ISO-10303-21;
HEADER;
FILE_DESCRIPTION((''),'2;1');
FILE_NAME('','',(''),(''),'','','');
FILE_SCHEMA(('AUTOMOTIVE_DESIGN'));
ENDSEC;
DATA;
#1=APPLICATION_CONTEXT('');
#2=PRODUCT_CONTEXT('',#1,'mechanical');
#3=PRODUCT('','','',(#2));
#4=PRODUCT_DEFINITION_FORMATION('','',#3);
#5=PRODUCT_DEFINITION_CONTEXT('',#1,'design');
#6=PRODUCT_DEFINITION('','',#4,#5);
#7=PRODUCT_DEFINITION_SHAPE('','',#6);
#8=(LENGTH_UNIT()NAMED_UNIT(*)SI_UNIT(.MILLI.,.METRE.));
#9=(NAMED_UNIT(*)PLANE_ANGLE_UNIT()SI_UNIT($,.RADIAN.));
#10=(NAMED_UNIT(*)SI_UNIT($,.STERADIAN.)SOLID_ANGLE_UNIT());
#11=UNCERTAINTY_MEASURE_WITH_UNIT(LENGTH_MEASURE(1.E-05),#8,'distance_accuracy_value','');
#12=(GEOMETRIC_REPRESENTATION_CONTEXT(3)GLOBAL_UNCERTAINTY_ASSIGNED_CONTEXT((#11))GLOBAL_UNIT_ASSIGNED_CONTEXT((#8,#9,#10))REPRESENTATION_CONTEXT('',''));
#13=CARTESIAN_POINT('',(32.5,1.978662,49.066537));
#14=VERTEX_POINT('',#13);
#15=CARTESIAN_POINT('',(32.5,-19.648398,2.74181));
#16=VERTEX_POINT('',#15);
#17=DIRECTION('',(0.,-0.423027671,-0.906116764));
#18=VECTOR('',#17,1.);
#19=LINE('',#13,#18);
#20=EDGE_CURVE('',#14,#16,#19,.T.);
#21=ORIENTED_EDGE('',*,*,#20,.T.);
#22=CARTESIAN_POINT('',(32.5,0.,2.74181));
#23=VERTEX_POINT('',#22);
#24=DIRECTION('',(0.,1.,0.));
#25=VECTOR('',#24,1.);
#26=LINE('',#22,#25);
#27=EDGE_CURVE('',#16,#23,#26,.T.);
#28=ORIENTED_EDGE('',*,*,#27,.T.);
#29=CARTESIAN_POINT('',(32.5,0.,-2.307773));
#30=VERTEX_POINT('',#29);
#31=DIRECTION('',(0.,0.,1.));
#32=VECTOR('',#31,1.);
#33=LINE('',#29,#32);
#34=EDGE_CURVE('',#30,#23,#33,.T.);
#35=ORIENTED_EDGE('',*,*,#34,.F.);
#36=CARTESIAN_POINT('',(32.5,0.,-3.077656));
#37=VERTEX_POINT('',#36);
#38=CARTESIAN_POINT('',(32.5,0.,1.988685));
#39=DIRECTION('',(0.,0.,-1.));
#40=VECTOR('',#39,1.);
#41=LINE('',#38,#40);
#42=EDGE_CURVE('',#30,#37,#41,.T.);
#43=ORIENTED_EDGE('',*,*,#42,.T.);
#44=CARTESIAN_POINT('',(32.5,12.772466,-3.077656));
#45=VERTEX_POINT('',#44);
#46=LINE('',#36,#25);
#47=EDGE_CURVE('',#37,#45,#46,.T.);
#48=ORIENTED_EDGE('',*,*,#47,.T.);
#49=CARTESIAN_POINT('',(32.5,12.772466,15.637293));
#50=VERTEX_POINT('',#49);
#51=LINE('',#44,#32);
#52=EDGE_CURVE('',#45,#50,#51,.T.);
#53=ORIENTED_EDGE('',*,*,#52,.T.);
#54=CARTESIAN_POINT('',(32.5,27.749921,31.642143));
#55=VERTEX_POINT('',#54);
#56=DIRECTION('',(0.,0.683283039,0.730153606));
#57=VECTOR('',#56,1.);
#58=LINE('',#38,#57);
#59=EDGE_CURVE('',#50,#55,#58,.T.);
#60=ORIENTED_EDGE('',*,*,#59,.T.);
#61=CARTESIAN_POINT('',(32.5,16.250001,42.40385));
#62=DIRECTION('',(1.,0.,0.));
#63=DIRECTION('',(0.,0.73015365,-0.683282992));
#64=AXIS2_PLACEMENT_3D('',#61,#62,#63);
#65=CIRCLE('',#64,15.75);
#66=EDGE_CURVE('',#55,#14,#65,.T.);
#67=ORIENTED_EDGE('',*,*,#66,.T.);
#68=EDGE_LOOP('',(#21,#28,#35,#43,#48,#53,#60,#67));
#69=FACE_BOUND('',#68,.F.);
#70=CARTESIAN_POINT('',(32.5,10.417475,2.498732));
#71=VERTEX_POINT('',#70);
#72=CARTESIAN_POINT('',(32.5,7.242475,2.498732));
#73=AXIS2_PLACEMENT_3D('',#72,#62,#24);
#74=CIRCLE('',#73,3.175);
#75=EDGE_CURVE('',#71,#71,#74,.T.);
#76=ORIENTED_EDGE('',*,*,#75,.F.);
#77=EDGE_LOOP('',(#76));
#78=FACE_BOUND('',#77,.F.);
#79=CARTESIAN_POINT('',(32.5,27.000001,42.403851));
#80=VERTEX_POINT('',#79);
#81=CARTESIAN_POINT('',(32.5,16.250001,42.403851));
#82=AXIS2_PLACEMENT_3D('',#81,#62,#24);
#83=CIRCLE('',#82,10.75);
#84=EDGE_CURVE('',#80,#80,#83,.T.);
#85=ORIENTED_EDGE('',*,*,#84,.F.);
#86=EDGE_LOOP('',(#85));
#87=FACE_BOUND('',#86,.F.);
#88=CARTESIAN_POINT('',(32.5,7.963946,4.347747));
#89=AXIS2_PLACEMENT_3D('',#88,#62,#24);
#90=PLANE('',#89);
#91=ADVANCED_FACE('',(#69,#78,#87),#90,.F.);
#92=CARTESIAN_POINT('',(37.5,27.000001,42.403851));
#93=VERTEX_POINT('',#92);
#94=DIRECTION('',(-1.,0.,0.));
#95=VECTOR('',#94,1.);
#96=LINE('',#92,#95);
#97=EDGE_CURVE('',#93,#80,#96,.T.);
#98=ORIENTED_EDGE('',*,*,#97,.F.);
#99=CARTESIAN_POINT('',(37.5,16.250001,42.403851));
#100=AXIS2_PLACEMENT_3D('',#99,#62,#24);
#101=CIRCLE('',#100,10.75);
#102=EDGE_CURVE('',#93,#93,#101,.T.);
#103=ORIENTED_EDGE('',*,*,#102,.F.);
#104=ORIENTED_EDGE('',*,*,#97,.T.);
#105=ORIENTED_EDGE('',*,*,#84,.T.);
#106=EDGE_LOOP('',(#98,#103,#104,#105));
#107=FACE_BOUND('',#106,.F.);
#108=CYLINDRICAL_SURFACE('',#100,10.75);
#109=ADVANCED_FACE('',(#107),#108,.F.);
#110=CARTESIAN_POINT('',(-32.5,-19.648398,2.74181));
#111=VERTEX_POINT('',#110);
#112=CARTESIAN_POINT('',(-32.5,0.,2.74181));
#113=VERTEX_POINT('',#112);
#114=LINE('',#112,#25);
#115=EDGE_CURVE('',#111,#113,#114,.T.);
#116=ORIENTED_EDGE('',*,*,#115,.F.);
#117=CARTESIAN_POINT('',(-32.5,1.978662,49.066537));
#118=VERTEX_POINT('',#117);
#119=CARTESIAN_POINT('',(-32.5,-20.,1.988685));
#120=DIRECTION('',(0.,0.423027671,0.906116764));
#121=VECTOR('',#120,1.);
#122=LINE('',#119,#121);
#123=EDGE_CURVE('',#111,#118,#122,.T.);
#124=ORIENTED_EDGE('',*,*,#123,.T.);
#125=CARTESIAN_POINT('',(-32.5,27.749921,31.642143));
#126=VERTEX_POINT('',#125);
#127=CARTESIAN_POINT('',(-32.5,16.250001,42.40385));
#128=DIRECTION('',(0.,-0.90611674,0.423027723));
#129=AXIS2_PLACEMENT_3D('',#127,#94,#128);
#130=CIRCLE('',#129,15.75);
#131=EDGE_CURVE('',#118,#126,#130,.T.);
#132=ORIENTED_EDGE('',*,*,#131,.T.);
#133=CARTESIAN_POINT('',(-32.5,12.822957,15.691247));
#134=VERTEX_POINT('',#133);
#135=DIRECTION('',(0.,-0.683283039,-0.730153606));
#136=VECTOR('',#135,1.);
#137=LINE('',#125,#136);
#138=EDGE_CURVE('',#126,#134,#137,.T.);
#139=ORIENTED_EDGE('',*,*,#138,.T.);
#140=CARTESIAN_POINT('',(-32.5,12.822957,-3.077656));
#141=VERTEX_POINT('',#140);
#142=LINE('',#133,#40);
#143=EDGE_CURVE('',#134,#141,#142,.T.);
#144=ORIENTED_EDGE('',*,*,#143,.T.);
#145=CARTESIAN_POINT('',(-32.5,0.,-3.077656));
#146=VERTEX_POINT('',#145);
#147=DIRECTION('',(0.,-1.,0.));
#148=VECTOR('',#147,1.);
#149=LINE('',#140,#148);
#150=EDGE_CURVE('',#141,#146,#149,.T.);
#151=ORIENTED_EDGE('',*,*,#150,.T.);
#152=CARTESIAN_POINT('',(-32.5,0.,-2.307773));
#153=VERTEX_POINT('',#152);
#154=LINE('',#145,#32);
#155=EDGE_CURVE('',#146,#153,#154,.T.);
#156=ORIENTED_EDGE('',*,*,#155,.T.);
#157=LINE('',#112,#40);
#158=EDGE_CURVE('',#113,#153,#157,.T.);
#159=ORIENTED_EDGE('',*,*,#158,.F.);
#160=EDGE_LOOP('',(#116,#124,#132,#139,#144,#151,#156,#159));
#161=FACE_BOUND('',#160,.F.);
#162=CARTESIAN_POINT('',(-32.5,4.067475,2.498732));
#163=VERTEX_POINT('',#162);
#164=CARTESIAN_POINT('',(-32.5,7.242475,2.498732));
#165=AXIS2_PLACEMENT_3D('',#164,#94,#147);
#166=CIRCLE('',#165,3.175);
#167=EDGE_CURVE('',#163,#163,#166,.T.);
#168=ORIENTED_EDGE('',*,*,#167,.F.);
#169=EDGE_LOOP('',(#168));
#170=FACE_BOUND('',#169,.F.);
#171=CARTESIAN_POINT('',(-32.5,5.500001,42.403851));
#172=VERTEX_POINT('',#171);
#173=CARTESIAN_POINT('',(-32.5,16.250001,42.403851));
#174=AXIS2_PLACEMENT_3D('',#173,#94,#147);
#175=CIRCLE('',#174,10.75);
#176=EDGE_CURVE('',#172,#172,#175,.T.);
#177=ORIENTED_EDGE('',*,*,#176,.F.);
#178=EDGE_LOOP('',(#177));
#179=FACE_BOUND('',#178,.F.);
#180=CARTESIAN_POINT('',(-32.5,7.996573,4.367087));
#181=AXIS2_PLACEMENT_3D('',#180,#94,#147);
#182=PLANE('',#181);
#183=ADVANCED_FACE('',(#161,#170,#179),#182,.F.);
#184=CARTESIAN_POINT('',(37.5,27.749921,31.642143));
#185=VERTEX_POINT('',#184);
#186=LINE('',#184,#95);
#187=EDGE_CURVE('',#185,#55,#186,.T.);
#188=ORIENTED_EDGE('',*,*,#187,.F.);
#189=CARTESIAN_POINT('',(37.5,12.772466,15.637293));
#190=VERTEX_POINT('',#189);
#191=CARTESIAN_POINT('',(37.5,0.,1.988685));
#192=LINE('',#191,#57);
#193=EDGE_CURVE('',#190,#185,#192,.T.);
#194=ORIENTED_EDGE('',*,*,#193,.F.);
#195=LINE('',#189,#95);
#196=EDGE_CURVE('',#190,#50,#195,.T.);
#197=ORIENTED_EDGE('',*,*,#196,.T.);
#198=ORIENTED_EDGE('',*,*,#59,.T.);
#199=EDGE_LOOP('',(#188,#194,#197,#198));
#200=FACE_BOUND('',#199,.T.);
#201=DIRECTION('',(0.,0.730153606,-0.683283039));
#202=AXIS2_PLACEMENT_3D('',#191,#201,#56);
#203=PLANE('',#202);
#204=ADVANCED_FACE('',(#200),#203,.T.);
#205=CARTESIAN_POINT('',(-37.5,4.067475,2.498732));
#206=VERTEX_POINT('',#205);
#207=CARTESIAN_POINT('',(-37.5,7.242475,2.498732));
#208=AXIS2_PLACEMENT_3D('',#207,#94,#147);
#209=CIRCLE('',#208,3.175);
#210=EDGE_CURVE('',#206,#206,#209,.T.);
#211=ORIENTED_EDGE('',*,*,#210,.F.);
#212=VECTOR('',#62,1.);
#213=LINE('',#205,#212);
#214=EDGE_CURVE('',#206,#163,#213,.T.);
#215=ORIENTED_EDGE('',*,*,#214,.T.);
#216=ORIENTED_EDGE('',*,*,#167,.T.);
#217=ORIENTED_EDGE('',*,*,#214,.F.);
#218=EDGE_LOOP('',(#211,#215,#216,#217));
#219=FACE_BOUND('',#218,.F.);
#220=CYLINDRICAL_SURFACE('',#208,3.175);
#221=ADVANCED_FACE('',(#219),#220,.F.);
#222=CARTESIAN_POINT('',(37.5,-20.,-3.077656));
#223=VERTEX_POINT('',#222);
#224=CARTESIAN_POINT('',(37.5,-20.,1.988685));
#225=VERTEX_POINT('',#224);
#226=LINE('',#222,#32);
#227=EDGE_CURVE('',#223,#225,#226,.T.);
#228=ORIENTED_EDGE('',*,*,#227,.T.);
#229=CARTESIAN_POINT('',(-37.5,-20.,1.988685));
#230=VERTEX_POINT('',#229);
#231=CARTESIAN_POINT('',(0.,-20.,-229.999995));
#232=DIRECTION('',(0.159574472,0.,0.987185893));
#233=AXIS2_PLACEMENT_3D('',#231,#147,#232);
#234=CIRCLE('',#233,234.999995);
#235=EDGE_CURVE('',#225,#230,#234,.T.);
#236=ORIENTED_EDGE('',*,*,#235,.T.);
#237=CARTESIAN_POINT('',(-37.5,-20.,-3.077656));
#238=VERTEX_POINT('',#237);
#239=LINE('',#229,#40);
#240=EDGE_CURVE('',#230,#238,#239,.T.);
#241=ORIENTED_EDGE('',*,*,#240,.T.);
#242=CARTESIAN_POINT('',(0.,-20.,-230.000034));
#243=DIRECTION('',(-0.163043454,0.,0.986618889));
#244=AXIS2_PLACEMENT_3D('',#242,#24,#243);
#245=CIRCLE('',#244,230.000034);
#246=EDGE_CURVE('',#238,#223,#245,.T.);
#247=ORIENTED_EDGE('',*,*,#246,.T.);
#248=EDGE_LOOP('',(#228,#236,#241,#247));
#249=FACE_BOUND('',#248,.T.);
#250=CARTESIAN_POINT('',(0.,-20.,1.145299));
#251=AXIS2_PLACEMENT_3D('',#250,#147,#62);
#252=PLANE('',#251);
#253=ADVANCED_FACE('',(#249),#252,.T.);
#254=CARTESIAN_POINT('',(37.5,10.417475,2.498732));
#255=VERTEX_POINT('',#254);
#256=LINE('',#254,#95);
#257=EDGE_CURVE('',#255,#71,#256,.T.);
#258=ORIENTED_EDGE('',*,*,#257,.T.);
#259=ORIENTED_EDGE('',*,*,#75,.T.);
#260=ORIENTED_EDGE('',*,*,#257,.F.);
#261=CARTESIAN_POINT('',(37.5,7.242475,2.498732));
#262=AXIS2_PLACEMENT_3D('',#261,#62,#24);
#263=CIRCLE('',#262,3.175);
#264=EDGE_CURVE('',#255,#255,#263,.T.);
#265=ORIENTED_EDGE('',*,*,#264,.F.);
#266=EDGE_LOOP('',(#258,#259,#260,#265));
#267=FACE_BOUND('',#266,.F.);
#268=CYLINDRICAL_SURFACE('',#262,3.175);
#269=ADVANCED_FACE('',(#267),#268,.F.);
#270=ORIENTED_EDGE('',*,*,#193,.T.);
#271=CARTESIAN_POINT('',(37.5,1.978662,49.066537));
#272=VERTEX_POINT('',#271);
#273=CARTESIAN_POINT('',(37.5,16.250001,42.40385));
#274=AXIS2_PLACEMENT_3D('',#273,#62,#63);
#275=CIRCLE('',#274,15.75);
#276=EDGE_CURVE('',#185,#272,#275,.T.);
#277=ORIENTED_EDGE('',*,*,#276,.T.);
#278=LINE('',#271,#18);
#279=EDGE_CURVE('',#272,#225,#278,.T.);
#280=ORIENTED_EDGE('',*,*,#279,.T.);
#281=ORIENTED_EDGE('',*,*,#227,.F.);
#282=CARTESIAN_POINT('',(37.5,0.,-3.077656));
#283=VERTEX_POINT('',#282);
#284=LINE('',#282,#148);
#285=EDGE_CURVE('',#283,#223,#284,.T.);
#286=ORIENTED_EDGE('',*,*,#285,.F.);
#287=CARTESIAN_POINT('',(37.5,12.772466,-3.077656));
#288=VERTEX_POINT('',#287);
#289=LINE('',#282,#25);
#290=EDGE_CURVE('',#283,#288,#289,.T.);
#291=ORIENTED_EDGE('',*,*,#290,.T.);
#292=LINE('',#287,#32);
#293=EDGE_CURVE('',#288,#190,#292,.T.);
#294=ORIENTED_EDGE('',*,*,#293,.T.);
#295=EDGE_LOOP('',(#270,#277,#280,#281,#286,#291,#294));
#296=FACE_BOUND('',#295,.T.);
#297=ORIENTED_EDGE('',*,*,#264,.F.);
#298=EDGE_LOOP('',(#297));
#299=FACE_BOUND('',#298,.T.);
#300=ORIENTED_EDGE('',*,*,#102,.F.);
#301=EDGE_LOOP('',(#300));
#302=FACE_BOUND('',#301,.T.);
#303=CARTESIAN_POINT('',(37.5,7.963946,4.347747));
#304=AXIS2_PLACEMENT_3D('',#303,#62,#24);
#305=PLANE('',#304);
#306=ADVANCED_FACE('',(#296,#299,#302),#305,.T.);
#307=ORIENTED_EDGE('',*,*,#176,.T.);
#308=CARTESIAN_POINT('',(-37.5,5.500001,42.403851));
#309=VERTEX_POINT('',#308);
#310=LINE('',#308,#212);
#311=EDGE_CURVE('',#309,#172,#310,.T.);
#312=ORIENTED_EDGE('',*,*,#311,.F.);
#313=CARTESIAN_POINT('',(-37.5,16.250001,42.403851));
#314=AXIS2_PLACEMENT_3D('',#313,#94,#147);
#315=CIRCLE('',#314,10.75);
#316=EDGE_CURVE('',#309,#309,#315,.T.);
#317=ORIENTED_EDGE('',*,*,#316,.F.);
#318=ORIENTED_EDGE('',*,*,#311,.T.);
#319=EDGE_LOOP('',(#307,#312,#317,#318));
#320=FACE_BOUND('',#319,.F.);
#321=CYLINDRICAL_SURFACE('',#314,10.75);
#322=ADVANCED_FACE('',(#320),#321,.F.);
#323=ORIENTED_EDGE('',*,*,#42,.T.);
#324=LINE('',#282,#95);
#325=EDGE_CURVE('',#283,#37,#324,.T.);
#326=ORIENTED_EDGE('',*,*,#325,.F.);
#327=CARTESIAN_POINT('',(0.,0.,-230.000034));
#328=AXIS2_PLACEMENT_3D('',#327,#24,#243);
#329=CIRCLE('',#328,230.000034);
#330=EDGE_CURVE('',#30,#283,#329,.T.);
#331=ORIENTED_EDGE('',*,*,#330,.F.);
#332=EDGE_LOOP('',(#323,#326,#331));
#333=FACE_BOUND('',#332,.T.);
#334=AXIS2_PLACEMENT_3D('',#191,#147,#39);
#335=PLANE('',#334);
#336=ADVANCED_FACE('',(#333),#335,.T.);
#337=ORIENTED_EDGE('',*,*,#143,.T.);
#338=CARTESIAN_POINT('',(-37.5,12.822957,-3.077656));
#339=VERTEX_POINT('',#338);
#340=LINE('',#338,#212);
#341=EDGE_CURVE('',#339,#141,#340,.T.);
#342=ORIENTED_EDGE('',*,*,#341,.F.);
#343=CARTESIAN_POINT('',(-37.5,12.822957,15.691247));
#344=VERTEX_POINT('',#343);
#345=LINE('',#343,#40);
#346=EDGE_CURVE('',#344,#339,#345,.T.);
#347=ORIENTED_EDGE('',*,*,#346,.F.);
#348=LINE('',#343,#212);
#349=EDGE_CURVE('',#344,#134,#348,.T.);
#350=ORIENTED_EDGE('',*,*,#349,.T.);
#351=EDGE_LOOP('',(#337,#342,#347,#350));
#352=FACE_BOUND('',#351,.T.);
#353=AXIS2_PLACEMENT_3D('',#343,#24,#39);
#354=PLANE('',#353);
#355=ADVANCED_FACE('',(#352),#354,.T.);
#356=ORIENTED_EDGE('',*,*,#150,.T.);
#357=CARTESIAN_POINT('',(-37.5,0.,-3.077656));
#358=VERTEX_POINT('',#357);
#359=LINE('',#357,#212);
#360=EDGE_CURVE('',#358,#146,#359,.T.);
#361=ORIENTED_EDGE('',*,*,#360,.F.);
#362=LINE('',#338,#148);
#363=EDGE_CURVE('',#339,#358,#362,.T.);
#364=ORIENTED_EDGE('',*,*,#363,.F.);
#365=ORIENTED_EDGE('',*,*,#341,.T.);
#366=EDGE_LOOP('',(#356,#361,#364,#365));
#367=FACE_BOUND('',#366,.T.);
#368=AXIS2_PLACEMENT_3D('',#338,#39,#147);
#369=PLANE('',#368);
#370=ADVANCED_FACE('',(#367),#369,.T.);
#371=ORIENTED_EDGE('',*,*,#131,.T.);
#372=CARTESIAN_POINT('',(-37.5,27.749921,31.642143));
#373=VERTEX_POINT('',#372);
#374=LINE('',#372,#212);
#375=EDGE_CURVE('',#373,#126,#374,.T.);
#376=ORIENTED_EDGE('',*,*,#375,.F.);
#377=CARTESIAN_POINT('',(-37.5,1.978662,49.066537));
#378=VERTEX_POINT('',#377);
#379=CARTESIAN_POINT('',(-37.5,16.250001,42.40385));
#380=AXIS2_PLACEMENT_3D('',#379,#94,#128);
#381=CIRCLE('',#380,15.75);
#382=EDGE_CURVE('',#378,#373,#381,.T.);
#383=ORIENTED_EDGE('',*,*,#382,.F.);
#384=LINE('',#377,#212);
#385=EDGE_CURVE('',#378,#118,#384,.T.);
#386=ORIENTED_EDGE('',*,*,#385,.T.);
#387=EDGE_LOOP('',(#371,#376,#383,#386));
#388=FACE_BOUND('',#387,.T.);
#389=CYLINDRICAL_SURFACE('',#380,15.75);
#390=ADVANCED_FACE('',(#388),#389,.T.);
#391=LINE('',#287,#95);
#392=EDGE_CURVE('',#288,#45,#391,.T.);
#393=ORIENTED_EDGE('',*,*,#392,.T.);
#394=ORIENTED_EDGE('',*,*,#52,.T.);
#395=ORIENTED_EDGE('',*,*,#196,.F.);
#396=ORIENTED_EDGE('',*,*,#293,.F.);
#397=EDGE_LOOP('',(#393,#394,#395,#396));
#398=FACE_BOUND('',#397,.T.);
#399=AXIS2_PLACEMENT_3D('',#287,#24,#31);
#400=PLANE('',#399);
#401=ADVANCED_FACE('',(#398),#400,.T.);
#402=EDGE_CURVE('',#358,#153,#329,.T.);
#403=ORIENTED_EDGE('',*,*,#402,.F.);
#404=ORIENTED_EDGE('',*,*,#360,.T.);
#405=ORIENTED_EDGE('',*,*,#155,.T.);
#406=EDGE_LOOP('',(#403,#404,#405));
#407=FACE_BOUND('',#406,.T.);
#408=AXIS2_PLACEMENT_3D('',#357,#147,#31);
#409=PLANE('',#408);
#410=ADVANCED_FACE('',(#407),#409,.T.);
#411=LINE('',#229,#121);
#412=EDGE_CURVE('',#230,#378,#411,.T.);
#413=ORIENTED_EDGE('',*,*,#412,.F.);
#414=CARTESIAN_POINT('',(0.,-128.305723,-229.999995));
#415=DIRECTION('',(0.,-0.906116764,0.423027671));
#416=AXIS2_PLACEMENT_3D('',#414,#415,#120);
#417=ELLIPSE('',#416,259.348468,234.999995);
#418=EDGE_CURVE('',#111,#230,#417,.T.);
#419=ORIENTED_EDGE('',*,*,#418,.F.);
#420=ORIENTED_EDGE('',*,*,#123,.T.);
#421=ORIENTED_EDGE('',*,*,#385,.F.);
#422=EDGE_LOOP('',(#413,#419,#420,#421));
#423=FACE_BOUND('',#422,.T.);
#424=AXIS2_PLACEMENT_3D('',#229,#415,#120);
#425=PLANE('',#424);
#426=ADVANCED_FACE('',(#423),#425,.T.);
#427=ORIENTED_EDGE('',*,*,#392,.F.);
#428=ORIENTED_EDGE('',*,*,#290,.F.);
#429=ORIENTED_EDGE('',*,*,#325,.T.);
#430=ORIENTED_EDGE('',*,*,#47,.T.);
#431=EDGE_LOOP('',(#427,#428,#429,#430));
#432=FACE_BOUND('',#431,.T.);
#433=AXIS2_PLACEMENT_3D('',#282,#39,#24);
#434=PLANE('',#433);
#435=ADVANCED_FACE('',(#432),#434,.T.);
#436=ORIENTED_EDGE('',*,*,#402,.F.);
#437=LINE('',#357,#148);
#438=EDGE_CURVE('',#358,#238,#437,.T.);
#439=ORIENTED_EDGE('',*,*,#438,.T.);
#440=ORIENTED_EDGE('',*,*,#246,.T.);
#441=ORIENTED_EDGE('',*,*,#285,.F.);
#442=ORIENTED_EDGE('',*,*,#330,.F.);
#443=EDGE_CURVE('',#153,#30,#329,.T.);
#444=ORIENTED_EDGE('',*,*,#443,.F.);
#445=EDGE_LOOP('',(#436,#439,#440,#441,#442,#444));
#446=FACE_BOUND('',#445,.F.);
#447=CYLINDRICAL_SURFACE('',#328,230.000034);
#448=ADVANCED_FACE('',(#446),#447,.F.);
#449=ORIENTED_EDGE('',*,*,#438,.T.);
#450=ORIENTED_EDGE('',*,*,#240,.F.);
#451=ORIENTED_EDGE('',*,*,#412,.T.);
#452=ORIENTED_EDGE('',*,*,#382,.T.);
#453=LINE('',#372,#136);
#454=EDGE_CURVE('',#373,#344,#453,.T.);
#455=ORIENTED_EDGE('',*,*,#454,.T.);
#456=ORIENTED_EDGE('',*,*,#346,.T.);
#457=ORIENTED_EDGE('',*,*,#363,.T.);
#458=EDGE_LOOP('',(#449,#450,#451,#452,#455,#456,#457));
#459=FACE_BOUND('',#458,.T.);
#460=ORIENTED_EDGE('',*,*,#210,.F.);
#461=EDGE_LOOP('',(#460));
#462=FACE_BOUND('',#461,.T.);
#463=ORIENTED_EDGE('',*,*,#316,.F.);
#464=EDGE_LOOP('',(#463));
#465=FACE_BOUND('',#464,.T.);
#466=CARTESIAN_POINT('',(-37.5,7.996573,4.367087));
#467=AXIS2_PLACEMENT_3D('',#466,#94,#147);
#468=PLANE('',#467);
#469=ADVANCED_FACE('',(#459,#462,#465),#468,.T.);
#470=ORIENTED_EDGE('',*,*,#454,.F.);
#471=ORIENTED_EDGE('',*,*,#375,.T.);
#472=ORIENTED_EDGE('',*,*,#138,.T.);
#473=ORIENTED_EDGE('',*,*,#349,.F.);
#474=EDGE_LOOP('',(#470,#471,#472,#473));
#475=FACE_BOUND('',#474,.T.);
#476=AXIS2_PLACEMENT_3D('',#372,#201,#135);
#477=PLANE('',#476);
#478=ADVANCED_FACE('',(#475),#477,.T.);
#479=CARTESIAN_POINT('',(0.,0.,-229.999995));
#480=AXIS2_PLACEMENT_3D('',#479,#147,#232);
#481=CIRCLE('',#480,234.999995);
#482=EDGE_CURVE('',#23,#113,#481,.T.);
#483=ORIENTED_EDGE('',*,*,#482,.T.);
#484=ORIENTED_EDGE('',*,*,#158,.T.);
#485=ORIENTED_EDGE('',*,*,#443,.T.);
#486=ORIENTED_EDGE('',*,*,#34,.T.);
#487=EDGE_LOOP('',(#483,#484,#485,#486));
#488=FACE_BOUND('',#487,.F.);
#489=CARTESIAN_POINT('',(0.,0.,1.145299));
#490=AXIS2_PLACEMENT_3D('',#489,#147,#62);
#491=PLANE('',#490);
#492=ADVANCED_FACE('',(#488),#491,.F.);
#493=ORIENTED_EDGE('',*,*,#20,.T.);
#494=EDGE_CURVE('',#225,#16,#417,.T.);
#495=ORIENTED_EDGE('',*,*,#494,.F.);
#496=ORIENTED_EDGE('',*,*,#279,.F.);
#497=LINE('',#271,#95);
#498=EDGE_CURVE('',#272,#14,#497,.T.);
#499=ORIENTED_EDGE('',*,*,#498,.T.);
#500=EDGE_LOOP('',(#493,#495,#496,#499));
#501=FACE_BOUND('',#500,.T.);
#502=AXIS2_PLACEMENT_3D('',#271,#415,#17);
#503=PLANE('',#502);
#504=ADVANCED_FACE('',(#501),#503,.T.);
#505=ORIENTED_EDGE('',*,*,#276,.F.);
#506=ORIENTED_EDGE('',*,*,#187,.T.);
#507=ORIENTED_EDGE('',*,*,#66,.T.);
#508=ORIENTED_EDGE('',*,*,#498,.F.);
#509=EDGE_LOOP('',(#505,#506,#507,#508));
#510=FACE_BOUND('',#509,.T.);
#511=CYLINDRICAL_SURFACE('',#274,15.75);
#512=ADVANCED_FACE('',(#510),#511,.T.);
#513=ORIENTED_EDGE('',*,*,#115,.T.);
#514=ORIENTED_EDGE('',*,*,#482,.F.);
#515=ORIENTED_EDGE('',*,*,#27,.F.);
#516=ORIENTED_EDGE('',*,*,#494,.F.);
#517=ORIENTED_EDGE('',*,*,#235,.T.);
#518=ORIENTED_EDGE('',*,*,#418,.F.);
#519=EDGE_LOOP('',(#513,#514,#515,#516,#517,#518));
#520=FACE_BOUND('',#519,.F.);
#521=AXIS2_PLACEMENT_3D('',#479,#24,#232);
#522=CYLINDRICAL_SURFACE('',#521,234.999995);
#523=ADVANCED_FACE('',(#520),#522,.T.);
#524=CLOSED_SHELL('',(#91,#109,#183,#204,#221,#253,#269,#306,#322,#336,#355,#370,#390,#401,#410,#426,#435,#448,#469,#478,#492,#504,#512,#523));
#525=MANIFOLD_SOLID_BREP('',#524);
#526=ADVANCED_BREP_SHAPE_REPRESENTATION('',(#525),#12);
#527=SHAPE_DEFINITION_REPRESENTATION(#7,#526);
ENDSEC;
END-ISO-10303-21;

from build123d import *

# Parameters (mm, degrees)
F1_DEPTH = 20
F2_R     = 10.75
F3_DEPTH = 5
F4_R     = 10.75
F5_DEPTH = 5
F6_R     = 3.175
F7_DEPTH = 5
F8_R     = 3.175
F9_DEPTH = 5


with BuildPart() as f1:
    # F0 (on Front) → F1 (new body)
    with BuildSketch(Plane.XZ):
        with BuildLine():
            Line((37.5, -3.077656), (37.5, 1.988685))
            ThreePointArc((37.5, 1.988685), (0, 5), (-37.5, 1.988685))
            Line((-37.5, 1.988685), (-37.5, -3.077656))
            ThreePointArc((-37.5, -3.077656), (0, 0), (37.5, -3.077656))
        make_face()
    extrude(amount=F1_DEPTH)

    # F2 (on face) → F3 (join)
    with BuildSketch(Plane.YZ.offset(37.5)):
        with BuildLine():
            Line((0, 1.988685), (27.749921, 31.642143))
            ThreePointArc((27.749921, 31.642143), (25.071711, 55.451453), (1.978662, 49.066537))
            Line((1.978662, 49.066537), (-20, 1.988685))
            Line((-20, 1.988685), (0, 1.988685))
        make_face()
        with Locations((16.250001, 42.403851)):
            Circle(F2_R, mode=Mode.SUBTRACT)
    extrude(amount=-F3_DEPTH)

    # F4 (on face) → F5 (join)
    with BuildSketch(Plane(origin=(-37.5, 0, 0), x_dir=(0, -1, 0), z_dir=(-1, 0, 0))):
        with BuildLine():
            Line((20, 1.988685), (-1.978662, 49.066537))
            ThreePointArc((-1.978662, 49.066537), (-25.071711, 55.451453), (-27.749921, 31.642143))
            Line((-27.749921, 31.642143), (0, 1.988685))
            Line((0, 1.988685), (20, 1.988685))
        make_face()
        with Locations((-16.250001, 42.403851)):
            Circle(F4_R, mode=Mode.SUBTRACT)
    extrude(amount=-F5_DEPTH)

    # F6 (on face) → F7 (join)
    with BuildSketch(Plane.YZ.offset(37.5)):
        Polygon((0, 1.988685), (0, -3.077656), (12.772466, -3.077656), (12.772466, 15.637293), align=None)
        with Locations((7.242475, 2.498732)):
            Circle(F6_R, mode=Mode.SUBTRACT)
    extrude(amount=-F7_DEPTH)

    # F8 (on face) → F9 (join)
    with BuildSketch(Plane(origin=(-37.5, 0, 0), x_dir=(0, -1, 0), z_dir=(-1, 0, 0))):
        Polygon((-12.822957, -3.077656), (0, -3.077656), (0, 1.988685), (-12.822957, 15.691247), align=None)
        with Locations((-7.242475, 2.498732)):
            Circle(F8_R, mode=Mode.SUBTRACT)
    extrude(amount=-F9_DEPTH)


solid = f1.part
